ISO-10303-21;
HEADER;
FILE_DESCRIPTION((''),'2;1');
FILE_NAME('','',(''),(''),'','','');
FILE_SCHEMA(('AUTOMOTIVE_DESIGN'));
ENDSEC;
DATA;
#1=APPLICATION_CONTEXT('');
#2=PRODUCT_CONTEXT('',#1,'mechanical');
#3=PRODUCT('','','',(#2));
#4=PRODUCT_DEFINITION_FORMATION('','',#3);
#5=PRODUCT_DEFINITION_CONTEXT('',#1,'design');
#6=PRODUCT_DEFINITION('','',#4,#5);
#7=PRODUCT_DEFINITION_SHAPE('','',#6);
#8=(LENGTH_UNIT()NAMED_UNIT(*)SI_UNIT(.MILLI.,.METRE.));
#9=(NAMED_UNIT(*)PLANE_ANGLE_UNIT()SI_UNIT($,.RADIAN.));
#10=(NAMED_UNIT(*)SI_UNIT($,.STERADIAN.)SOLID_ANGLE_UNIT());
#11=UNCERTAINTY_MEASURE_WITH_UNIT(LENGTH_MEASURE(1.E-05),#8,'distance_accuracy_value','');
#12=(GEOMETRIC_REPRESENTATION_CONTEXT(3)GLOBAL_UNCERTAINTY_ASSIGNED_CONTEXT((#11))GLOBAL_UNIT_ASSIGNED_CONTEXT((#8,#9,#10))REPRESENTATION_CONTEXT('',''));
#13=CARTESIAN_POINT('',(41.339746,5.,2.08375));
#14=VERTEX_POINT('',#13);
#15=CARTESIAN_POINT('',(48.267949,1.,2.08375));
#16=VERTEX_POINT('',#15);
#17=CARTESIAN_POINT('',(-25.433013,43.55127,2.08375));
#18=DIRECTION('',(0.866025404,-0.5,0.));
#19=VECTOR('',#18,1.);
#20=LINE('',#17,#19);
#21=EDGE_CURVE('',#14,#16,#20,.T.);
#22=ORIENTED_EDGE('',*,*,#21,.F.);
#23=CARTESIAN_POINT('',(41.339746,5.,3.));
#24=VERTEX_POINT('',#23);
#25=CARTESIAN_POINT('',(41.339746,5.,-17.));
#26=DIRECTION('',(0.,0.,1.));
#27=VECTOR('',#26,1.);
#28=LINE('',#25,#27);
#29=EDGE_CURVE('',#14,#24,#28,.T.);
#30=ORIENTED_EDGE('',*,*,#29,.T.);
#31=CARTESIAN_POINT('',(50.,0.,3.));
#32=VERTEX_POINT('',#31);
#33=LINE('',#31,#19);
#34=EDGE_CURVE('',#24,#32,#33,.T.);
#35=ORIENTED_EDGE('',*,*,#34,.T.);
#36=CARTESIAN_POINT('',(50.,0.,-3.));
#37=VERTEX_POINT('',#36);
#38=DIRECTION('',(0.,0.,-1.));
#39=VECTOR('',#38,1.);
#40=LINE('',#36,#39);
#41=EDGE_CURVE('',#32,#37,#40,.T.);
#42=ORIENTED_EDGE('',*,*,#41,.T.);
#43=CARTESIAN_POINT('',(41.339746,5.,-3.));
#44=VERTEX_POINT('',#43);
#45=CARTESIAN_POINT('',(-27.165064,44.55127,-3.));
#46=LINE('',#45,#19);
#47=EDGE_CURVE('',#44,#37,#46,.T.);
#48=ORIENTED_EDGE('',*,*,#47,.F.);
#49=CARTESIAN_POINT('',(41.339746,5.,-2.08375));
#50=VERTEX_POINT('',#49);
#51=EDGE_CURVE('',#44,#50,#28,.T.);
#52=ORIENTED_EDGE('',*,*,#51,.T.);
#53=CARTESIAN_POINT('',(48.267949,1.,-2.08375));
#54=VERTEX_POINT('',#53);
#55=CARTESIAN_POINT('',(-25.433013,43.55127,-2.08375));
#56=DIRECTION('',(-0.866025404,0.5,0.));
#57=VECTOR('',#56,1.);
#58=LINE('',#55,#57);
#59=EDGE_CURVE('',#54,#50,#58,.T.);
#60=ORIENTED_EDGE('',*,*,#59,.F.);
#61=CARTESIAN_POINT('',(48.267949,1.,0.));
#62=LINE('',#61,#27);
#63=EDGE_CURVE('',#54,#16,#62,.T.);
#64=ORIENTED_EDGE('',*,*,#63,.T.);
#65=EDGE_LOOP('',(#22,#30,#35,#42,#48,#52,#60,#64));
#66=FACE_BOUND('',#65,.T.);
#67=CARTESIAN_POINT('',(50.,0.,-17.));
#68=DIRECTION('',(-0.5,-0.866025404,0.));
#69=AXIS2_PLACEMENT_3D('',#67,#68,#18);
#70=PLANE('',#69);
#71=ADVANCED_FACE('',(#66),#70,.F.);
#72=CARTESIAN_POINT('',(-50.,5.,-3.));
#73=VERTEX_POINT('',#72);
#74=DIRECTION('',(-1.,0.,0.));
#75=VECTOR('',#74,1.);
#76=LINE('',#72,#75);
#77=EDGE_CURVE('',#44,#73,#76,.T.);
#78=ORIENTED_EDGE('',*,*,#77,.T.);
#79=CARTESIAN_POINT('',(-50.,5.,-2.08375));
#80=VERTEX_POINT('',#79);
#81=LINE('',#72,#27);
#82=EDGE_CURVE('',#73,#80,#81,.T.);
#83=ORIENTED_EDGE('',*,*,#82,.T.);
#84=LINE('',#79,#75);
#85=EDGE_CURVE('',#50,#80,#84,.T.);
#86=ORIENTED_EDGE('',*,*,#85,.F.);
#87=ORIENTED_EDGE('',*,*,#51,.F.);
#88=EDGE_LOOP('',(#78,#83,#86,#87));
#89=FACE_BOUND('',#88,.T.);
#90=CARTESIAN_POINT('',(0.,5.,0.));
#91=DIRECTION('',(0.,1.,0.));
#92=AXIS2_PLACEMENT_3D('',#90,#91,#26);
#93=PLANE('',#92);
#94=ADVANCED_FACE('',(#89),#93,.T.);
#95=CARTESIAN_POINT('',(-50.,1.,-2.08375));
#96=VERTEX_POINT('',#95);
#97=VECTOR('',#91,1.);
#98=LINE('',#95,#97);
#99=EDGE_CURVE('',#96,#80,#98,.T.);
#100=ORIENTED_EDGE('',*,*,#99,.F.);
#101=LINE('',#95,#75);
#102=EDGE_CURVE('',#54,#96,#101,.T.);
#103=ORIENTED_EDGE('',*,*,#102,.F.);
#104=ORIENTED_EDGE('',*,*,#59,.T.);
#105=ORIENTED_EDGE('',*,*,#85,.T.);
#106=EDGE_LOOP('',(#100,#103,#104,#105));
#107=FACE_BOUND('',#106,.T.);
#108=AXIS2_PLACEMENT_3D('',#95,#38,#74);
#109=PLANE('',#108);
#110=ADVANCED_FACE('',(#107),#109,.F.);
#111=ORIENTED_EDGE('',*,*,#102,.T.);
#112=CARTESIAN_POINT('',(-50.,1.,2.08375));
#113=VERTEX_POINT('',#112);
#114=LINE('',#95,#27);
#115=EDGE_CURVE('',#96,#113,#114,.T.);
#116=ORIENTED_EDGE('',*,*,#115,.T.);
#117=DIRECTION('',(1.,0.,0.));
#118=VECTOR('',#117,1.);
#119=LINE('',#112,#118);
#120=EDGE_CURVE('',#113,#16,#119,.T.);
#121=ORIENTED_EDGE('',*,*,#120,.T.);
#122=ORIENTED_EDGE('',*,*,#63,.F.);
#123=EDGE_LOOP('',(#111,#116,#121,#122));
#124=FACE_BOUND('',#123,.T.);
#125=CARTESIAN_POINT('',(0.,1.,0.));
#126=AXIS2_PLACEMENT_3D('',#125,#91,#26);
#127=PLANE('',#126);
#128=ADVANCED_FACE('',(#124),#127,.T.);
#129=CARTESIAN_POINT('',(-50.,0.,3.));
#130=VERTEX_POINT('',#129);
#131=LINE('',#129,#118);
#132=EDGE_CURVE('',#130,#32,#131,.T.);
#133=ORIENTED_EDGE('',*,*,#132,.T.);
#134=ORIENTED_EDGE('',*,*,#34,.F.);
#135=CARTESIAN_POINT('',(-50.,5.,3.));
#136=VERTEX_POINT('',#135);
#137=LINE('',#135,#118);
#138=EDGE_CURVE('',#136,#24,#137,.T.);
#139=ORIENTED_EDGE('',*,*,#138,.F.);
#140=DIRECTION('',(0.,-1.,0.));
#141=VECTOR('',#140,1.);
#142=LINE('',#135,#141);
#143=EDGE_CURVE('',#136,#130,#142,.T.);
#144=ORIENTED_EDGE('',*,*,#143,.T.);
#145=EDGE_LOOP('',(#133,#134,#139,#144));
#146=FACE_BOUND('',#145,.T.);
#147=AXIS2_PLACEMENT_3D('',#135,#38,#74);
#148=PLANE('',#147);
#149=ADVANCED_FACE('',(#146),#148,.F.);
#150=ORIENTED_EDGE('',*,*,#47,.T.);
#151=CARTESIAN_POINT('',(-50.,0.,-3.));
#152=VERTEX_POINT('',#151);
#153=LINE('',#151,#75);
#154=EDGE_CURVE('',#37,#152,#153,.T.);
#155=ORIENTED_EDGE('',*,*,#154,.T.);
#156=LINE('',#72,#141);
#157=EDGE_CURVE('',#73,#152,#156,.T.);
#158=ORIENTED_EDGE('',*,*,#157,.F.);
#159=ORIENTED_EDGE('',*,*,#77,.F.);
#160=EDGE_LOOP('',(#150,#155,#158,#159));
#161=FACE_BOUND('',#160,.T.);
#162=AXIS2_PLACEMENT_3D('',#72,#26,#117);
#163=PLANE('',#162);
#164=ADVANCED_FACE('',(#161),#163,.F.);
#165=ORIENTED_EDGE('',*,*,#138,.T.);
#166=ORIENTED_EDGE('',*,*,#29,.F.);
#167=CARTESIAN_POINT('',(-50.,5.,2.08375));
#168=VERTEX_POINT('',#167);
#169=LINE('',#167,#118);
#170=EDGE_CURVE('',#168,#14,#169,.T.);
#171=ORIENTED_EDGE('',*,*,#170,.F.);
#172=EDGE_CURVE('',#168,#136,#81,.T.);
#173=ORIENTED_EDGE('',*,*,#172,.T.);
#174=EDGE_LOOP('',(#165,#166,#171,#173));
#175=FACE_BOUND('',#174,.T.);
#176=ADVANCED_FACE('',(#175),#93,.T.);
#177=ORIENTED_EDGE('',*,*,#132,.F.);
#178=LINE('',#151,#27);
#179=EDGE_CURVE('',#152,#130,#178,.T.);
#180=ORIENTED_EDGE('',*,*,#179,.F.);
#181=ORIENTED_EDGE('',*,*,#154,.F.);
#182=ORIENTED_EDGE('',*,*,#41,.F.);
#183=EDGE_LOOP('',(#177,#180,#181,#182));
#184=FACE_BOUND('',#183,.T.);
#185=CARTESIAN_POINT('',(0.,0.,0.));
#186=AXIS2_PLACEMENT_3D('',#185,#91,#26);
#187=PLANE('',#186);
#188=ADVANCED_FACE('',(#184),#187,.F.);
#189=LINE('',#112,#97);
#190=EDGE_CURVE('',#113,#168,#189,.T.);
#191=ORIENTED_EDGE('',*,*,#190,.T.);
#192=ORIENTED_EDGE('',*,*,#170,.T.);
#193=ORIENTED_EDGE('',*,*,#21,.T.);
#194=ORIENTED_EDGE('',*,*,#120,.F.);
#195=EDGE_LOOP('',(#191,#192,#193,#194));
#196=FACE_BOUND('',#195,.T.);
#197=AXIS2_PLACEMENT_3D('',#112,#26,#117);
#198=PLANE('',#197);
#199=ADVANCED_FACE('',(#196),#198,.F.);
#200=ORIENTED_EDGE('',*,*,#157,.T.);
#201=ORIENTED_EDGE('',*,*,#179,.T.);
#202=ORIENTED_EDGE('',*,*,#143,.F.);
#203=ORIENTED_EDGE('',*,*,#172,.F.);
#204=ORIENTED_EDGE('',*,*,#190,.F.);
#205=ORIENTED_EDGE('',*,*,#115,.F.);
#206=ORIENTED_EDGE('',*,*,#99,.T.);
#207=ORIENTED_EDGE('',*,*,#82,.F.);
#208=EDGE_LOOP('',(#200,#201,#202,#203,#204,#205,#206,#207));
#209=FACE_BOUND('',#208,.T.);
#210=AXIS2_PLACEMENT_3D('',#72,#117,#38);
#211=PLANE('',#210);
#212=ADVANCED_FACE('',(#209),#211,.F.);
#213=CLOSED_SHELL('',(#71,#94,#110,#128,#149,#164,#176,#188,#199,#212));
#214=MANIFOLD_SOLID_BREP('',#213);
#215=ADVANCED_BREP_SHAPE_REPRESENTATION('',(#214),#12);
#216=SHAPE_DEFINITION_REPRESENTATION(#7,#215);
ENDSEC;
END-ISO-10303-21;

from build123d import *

# Parameters (mm, degrees)
SKETCH1_W           = 100
SKETCH1_H           = 6
BOSS_EXTRUDE1_DEPTH = 5
SKETCH2_W           = 100
SKETCH2_H           = 4.1675
CUT_EXTRUDE1_DEPTH  = 4
CUT_EXTRUDE2_DEPTH  = 20


with BuildPart() as part:
    # Sketch1 → Boss-Extrude1 (new body)
    with BuildSketch(Plane(origin=(0, 0, 0), x_dir=(1, 0, 0), z_dir=(0, 1, 0))):
        Rectangle(SKETCH1_W, SKETCH1_H)
    extrude(amount=BOSS_EXTRUDE1_DEPTH)

    # Sketch2 → Cut-Extrude1 (cut)
    with BuildSketch(Plane(origin=(0, 5, 0), x_dir=(1, 0, 0), z_dir=(0, 1, 0))):
        Rectangle(SKETCH2_W, SKETCH2_H)
    extrude(amount=-CUT_EXTRUDE1_DEPTH, mode=Mode.SUBTRACT)

    # Sketch3 → Cut-Extrude2 (cut)
    with BuildSketch(Plane.XY.offset(3)):
        Polygon((50, 0), (41.339745962, 5), (50, 5), align=None)
    extrude(amount=-CUT_EXTRUDE2_DEPTH, mode=Mode.SUBTRACT)


solid = part.part
